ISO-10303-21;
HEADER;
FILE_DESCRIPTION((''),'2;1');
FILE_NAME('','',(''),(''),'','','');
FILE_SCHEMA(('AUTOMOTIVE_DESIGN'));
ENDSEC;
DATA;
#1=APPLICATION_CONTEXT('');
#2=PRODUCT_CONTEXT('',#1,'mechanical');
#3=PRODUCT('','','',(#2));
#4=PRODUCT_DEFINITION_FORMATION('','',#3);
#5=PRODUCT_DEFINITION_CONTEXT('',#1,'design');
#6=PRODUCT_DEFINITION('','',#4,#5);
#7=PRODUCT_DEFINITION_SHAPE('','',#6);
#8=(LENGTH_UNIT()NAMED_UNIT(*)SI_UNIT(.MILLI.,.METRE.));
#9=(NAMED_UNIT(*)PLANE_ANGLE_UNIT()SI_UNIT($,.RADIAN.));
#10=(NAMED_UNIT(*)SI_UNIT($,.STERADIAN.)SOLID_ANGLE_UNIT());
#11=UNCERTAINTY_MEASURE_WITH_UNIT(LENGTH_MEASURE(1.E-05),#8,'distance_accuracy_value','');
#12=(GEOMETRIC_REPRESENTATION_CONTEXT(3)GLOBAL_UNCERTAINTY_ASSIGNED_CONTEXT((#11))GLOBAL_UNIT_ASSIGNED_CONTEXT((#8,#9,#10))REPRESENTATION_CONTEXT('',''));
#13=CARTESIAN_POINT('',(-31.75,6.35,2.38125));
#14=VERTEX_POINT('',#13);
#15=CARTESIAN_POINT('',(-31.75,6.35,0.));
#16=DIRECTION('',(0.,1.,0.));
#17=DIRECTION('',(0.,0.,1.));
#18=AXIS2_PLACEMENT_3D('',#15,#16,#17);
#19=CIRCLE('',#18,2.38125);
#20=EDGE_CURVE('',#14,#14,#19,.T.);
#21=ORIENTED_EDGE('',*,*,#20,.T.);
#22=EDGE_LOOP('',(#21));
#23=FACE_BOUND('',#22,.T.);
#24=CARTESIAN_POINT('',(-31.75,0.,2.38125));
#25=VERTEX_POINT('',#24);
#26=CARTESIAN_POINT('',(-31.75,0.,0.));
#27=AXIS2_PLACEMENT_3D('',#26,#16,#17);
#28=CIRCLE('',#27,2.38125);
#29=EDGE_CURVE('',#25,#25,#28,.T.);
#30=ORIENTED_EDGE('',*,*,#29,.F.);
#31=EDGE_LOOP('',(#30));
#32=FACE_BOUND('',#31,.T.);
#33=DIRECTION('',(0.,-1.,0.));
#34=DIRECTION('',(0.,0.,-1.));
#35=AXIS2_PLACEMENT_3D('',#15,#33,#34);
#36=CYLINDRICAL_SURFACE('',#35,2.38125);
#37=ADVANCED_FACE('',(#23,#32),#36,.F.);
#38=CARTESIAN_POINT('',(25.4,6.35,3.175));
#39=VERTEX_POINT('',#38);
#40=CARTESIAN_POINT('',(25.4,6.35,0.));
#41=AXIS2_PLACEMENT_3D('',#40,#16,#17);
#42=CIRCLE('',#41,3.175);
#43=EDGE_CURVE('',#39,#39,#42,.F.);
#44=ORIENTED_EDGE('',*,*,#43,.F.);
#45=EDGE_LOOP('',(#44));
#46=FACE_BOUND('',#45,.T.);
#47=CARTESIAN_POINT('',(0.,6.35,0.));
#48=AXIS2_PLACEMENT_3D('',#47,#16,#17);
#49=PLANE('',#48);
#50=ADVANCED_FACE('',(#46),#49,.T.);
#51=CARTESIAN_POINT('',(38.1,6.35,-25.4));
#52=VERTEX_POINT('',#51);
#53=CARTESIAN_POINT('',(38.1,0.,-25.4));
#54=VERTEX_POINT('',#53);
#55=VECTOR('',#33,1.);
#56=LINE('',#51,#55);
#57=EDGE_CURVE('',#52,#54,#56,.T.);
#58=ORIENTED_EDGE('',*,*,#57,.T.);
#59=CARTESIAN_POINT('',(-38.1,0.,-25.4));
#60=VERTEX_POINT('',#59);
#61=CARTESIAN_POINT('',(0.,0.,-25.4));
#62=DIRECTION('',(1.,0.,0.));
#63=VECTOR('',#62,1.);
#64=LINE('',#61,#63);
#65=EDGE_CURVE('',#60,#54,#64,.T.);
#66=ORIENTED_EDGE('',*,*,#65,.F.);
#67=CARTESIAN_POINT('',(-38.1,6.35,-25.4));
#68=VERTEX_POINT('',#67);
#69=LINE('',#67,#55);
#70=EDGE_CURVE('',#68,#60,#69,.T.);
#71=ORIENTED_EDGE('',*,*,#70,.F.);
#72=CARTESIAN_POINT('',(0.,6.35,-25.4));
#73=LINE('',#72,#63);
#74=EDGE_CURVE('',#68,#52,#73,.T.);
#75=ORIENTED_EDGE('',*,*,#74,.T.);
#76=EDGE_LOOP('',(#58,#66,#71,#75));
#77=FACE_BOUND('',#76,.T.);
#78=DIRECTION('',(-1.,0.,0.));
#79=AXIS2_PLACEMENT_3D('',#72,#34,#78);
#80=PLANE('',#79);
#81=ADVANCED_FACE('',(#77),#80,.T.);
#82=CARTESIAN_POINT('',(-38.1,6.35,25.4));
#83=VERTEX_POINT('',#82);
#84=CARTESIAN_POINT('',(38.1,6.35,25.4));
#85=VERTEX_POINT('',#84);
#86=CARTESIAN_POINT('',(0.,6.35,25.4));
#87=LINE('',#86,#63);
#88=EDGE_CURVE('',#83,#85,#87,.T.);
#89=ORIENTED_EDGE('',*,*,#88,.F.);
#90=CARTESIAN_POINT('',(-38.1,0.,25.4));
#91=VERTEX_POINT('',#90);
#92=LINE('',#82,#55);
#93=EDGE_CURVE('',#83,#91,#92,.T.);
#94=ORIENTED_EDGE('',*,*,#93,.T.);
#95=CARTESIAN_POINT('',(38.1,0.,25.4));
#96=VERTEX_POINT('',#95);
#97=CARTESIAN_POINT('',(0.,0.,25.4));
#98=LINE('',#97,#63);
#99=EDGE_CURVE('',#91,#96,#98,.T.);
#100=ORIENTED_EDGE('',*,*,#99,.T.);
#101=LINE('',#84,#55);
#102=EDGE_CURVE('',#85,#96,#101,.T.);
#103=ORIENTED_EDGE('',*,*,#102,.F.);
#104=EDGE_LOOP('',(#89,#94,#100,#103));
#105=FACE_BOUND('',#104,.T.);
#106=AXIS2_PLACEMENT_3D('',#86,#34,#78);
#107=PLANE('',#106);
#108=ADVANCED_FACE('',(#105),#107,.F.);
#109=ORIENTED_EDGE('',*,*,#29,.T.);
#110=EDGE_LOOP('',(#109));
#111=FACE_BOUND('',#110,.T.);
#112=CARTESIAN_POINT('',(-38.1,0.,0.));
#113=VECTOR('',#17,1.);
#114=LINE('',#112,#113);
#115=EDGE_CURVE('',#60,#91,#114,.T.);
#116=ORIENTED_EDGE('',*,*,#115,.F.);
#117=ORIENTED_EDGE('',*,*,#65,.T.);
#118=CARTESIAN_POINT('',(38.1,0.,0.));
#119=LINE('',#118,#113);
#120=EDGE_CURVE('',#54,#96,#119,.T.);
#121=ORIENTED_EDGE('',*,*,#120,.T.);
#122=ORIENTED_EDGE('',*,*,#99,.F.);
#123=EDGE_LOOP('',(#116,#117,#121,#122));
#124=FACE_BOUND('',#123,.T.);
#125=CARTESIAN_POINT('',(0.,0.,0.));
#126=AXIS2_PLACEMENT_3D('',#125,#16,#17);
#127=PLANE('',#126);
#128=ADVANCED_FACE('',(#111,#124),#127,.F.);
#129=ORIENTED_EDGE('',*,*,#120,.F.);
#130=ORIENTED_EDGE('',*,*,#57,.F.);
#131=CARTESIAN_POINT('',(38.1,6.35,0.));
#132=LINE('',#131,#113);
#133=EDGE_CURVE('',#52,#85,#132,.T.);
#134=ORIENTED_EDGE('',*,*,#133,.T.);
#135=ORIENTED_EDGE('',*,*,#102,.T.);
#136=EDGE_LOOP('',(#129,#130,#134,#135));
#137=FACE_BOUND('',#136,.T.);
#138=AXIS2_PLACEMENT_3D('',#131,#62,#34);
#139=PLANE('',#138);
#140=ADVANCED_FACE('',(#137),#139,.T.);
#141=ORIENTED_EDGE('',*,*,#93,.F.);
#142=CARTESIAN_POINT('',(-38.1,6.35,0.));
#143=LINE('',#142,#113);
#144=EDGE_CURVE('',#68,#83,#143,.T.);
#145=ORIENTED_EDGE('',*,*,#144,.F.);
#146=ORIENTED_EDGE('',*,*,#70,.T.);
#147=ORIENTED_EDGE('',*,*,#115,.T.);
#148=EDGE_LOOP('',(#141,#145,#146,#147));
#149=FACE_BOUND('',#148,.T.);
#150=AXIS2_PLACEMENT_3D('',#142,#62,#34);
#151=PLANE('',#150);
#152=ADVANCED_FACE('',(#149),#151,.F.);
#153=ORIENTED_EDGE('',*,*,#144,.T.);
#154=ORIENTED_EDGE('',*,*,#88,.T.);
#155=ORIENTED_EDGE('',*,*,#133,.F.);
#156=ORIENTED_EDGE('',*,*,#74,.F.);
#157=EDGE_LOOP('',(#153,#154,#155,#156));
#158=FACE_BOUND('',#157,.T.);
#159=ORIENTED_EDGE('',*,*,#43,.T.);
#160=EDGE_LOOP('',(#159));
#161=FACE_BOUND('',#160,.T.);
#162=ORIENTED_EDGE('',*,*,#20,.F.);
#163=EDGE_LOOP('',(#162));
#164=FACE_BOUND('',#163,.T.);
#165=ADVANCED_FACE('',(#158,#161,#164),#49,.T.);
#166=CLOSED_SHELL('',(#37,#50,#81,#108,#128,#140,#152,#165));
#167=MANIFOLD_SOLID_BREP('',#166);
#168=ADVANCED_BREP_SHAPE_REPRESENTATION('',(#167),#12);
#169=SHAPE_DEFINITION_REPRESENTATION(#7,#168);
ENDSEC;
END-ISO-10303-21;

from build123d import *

# Parameters (mm, degrees)
SKETCH1_W           = 76.2
SKETCH1_H           = 50.8
SKETCH1_R           = 2.38125
BOSS_EXTRUDE1_DEPTH = 6.35


with BuildPart() as part:
    # Sketch1 → Boss-Extrude1 (new body)
    with BuildSketch(Plane(origin=(0, 0, 0), x_dir=(1, 0, 0), z_dir=(0, 1, 0))):
        Rectangle(SKETCH1_W, SKETCH1_H)
        with Locations((-31.75, 0)):
            Circle(SKETCH1_R, mode=Mode.SUBTRACT)
    extrude(amount=BOSS_EXTRUDE1_DEPTH)


solid = part.part
